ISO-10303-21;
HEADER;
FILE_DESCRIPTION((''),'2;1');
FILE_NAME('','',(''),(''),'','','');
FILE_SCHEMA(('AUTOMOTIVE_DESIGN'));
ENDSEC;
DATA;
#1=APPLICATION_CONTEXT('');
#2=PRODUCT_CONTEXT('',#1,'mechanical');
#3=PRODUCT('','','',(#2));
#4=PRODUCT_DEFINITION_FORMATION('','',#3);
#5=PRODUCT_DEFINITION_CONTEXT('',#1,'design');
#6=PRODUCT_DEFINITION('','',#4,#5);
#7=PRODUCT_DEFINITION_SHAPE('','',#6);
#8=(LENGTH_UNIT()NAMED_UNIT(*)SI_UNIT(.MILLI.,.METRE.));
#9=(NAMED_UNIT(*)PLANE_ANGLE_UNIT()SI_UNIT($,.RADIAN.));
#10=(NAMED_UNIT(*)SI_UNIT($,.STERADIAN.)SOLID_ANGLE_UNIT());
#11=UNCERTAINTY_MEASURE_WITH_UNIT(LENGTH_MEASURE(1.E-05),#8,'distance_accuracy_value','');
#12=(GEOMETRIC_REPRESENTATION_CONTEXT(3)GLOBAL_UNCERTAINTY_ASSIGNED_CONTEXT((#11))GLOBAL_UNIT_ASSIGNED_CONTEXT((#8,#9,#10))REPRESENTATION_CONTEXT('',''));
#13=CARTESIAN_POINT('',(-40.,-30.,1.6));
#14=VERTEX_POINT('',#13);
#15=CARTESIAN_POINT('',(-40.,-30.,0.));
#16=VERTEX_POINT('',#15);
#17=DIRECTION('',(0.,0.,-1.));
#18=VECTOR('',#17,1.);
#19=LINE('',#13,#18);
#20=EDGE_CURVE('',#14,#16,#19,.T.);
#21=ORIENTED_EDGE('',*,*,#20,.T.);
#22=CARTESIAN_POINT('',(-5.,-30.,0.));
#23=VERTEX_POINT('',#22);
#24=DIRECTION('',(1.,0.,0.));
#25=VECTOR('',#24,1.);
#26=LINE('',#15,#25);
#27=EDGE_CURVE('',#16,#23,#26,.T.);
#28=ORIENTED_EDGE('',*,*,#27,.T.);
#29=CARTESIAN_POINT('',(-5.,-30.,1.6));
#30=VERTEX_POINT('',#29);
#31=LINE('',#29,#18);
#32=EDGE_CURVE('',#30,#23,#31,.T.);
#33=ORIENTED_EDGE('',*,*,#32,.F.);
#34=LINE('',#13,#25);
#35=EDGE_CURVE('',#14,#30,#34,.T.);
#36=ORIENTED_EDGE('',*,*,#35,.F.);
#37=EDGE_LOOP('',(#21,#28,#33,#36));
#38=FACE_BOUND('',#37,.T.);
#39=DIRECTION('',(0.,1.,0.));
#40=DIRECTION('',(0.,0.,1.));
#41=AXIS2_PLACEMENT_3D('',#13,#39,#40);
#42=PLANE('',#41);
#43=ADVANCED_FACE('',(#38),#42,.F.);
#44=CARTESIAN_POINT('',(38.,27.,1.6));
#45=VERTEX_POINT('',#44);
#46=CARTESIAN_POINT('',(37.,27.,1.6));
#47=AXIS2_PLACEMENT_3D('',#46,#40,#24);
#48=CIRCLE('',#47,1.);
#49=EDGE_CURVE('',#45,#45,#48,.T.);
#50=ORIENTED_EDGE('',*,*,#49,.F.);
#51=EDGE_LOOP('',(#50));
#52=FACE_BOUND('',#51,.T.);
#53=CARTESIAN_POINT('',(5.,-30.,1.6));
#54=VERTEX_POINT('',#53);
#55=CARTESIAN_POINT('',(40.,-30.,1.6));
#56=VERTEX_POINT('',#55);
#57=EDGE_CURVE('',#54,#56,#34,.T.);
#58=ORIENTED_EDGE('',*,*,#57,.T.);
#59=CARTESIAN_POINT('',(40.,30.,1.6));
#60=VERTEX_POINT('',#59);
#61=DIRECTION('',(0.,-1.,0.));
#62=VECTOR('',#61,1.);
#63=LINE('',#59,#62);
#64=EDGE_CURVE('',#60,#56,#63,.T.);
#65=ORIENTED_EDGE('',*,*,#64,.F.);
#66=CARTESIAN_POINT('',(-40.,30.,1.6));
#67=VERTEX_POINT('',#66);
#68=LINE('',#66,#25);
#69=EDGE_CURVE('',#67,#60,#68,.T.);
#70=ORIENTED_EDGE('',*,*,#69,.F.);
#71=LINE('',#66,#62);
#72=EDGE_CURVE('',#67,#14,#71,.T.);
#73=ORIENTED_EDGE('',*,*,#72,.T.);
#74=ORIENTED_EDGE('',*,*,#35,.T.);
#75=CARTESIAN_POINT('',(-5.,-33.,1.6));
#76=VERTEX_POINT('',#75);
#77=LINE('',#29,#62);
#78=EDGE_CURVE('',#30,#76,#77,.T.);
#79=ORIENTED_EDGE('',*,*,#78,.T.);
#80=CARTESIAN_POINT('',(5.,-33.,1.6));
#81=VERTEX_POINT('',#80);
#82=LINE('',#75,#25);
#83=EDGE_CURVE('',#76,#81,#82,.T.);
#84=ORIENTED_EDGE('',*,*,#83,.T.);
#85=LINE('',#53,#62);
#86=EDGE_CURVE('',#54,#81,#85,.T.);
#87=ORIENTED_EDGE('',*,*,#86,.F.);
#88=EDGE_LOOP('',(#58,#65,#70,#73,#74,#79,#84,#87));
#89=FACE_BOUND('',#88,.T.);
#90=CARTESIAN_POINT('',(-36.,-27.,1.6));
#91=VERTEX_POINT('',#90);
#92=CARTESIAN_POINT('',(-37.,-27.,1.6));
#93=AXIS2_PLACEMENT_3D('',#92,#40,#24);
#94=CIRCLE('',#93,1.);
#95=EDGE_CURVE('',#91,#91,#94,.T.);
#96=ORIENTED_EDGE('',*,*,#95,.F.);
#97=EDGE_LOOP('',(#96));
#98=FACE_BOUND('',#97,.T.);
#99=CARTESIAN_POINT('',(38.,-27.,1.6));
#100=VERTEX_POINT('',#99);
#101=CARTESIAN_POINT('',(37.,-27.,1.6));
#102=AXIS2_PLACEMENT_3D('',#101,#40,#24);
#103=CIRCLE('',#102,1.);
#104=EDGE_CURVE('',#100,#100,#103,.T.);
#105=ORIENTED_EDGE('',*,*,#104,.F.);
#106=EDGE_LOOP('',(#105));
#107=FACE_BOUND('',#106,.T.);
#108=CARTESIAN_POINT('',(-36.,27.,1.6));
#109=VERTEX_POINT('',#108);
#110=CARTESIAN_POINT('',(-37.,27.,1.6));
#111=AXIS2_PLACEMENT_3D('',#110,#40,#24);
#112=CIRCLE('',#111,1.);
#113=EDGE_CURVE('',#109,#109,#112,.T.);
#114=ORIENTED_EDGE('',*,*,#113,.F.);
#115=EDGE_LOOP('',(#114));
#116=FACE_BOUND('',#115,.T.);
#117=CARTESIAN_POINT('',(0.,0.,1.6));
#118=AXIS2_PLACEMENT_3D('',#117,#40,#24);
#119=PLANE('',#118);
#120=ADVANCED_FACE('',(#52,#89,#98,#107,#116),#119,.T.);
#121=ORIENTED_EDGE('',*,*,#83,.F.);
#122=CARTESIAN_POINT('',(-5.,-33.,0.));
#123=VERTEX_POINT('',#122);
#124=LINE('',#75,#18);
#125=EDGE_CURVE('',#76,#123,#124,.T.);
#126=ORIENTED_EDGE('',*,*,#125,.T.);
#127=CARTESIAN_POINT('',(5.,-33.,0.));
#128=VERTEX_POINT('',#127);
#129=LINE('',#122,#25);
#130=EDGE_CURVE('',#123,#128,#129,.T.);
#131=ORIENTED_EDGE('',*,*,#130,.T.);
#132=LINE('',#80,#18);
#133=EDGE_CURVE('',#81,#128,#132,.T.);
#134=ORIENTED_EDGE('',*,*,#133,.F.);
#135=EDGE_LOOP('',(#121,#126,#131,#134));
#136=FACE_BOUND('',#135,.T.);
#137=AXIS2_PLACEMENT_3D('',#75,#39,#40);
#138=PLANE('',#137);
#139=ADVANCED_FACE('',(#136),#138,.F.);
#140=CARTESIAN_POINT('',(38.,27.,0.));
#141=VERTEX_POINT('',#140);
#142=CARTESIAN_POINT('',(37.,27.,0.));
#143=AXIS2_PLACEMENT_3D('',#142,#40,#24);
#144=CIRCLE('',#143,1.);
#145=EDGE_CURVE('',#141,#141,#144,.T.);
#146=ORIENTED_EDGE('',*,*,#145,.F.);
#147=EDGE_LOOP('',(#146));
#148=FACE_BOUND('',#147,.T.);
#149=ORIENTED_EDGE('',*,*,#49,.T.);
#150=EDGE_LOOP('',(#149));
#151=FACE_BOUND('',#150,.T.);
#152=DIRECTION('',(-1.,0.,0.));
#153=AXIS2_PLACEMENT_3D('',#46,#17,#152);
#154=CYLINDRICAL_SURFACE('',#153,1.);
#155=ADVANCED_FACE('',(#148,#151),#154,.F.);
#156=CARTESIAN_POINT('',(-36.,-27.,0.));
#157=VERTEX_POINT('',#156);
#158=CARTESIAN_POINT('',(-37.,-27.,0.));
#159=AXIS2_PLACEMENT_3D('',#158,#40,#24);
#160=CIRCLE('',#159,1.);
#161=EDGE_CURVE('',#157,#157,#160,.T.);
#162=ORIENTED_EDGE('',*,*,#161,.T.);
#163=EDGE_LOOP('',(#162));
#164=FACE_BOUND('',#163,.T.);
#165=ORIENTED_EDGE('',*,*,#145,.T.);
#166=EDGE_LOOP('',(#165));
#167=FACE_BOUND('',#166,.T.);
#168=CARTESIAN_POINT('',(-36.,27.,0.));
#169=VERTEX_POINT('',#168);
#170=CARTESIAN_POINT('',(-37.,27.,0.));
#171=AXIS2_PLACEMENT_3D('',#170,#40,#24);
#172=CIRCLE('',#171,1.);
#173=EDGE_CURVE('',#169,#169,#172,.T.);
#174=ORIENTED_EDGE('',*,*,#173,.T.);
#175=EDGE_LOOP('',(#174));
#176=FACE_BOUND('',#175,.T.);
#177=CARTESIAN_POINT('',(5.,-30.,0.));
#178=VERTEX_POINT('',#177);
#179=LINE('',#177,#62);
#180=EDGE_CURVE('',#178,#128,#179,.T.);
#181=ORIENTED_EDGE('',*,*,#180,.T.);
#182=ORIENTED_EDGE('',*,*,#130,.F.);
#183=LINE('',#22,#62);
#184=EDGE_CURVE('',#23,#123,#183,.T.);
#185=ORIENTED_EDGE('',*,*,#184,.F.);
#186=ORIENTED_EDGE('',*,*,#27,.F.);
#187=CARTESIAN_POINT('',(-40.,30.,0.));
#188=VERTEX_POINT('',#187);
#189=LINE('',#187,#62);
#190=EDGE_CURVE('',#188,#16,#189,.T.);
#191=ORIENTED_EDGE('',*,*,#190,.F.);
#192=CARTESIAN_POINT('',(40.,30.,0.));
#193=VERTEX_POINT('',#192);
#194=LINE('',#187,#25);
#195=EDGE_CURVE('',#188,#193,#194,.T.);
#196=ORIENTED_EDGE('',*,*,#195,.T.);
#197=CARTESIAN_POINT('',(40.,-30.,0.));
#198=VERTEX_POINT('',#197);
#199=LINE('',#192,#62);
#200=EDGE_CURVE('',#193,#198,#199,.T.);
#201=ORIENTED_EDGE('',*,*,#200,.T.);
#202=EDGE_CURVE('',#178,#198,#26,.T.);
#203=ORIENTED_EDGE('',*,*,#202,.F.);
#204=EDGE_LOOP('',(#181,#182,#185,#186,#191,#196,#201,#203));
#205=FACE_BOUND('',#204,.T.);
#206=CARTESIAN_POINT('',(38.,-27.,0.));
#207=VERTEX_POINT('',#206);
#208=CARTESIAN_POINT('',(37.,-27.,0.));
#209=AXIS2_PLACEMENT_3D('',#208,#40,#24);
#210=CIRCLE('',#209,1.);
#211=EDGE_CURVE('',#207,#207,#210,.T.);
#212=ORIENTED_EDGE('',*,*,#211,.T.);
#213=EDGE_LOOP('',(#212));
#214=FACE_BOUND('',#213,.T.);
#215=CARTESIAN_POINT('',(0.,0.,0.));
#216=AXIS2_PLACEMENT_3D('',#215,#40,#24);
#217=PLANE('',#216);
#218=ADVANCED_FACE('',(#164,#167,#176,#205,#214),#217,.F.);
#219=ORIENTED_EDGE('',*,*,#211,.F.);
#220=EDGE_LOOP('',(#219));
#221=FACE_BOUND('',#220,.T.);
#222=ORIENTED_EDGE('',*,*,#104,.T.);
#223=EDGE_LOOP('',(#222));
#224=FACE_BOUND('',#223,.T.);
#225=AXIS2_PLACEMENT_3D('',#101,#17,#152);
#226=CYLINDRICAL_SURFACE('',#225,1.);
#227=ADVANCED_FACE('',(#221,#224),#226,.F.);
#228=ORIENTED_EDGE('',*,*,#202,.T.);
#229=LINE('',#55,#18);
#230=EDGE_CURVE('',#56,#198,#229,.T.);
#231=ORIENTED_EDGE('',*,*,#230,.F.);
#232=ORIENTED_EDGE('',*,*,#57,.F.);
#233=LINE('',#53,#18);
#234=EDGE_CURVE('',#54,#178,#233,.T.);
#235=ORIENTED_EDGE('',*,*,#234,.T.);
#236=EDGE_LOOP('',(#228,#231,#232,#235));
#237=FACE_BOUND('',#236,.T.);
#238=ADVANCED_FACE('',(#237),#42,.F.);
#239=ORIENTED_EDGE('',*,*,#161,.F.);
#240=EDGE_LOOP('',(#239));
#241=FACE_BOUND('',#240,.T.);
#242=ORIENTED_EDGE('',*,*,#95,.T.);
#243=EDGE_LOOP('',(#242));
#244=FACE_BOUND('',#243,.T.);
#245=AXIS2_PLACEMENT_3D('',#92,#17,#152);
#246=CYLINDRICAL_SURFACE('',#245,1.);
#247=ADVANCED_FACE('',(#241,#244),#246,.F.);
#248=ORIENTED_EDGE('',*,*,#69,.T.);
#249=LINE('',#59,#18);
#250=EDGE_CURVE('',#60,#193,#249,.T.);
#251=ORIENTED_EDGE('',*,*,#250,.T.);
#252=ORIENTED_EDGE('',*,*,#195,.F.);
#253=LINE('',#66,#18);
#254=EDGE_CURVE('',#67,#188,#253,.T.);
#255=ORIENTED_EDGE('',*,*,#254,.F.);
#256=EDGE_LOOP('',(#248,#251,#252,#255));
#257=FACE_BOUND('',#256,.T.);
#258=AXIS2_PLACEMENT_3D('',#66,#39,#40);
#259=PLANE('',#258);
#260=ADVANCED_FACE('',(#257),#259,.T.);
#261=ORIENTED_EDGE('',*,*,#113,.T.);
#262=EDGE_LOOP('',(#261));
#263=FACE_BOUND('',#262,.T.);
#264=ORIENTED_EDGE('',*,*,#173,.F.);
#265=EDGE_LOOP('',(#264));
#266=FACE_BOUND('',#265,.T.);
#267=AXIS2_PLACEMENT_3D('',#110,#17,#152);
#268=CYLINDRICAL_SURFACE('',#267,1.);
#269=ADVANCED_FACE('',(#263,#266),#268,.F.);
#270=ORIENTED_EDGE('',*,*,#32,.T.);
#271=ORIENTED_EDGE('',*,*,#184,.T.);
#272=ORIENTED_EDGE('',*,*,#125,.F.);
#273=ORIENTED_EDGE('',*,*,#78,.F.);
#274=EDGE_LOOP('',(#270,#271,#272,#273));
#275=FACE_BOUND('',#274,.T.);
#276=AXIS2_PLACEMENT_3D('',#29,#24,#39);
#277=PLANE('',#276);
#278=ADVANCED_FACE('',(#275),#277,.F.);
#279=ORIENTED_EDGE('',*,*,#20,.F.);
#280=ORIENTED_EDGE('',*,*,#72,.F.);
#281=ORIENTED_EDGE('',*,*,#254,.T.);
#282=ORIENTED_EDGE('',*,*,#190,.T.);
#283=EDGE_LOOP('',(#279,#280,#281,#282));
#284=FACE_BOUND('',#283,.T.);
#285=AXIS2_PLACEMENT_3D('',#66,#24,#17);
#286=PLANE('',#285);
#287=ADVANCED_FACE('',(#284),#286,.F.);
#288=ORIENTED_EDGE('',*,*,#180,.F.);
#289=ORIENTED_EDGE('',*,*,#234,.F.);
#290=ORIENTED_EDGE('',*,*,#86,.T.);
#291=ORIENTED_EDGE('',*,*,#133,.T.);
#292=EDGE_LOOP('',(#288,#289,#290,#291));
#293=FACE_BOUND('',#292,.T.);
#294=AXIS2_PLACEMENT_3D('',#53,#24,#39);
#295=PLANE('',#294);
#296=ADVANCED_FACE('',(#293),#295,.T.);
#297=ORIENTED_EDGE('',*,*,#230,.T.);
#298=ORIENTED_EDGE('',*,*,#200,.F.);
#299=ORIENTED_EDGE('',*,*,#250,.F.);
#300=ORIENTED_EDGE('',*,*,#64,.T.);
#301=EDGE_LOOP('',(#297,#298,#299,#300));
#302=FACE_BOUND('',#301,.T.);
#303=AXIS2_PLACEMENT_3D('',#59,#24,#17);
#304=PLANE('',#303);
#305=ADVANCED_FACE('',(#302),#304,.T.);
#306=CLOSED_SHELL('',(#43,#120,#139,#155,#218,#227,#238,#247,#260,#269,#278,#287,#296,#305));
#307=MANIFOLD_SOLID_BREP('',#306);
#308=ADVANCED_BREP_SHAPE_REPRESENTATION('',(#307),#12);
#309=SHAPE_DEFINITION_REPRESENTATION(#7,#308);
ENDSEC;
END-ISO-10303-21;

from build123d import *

# Parameters (mm, degrees)
SKETCH_1_W      = 80
SKETCH_1_H      = 60
SKETCH_1_R      = 1
SKETCH_1_W_2    = 10
SKETCH_1_H_2    = 3
EXTRUDE_1_DEPTH = 1.6


with BuildPart() as part:
    # 草图1 → 凸台-拉伸1 (new body)
    # profile 1 of 2: a face of its own
    with BuildSketch(Plane.XY):
        Rectangle(SKETCH_1_W, SKETCH_1_H)
        with Locations((-37, 27)):
            Circle(SKETCH_1_R, mode=Mode.SUBTRACT)
        with Locations((37, 27)):
            Circle(SKETCH_1_R, mode=Mode.SUBTRACT)
        with Locations((37, -27)):
            Circle(SKETCH_1_R, mode=Mode.SUBTRACT)
        with Locations((-37, -27)):
            Circle(SKETCH_1_R, mode=Mode.SUBTRACT)
    # profile 2 of 2: a face of its own
    with BuildSketch(Plane.XY):
        with Locations((0, -31.5)):
            Rectangle(SKETCH_1_W_2, SKETCH_1_H_2)
    extrude(amount=EXTRUDE_1_DEPTH)


solid = part.part
